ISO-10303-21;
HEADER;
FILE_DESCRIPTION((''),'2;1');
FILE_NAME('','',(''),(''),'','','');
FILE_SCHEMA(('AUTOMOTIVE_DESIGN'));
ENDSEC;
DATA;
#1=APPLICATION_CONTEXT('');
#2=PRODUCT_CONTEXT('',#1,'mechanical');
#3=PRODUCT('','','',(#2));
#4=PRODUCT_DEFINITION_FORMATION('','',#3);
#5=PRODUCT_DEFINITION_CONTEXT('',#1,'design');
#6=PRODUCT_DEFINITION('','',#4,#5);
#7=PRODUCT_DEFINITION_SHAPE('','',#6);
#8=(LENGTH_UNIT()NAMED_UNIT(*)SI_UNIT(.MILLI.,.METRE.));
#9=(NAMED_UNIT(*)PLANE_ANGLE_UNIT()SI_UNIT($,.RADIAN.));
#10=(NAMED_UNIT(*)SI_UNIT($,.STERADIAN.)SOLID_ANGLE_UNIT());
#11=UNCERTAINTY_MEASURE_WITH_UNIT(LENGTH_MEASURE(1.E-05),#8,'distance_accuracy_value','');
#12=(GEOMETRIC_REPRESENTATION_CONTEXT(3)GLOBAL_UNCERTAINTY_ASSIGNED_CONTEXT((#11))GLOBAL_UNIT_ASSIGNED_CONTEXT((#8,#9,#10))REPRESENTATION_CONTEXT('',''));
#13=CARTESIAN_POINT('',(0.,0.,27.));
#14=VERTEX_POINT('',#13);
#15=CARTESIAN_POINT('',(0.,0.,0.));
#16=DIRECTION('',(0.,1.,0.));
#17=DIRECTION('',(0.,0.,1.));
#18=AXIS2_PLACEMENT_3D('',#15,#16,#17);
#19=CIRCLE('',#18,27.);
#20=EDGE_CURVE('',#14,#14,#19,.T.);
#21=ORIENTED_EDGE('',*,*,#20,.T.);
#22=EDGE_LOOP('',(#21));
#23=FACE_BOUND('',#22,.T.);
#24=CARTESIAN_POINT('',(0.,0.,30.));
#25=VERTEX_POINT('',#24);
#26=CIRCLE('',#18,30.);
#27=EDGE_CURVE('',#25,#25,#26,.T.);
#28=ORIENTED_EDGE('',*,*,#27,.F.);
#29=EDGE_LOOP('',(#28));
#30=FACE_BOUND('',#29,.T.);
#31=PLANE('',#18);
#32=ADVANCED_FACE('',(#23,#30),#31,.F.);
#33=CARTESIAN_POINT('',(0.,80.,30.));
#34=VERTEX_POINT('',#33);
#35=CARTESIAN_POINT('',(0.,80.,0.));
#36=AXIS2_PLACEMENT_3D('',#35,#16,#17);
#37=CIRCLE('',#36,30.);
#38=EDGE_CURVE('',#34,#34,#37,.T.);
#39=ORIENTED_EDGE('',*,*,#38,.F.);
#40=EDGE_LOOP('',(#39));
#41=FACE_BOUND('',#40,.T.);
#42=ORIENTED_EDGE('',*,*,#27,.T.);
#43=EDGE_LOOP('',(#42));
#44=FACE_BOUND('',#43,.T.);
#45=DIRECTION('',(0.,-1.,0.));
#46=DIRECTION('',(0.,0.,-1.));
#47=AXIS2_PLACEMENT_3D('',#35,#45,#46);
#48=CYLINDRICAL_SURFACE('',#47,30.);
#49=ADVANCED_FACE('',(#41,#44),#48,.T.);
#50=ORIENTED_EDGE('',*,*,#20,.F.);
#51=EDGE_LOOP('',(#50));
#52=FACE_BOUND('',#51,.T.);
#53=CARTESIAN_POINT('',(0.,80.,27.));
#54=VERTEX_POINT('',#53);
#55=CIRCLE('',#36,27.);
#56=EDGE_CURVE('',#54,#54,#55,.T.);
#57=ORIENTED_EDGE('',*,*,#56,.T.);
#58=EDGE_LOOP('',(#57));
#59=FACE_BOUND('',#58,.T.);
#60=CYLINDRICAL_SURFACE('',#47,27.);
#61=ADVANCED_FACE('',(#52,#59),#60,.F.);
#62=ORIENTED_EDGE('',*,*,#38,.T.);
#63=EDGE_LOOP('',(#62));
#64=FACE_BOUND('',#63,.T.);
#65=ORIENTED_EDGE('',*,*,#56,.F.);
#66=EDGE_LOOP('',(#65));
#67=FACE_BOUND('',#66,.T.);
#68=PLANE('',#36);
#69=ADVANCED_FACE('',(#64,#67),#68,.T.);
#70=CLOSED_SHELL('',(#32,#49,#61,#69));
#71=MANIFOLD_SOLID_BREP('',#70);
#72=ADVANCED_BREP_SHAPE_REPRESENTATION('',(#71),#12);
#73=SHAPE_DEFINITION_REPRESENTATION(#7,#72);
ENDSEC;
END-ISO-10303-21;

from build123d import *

# Parameters (mm, degrees)
SKETCH_1_R      = 30
SKETCH_1_R_2    = 27
EXTRUDE_1_DEPTH = 80


with BuildPart() as part:
    # 스케치1 → 보스-돌출1 (new body)
    with BuildSketch(Plane(origin=(0, 0, 0), x_dir=(1, 0, 0), z_dir=(0, 1, 0))):
        with Locations(Location((0, 0, 0), (0, 0, 270))):
            Circle(SKETCH_1_R)
        with Locations(Location((0, 0, 0), (0, 0, 270))):
            Circle(SKETCH_1_R_2, mode=Mode.SUBTRACT)
    extrude(amount=EXTRUDE_1_DEPTH)


solid = part.part
